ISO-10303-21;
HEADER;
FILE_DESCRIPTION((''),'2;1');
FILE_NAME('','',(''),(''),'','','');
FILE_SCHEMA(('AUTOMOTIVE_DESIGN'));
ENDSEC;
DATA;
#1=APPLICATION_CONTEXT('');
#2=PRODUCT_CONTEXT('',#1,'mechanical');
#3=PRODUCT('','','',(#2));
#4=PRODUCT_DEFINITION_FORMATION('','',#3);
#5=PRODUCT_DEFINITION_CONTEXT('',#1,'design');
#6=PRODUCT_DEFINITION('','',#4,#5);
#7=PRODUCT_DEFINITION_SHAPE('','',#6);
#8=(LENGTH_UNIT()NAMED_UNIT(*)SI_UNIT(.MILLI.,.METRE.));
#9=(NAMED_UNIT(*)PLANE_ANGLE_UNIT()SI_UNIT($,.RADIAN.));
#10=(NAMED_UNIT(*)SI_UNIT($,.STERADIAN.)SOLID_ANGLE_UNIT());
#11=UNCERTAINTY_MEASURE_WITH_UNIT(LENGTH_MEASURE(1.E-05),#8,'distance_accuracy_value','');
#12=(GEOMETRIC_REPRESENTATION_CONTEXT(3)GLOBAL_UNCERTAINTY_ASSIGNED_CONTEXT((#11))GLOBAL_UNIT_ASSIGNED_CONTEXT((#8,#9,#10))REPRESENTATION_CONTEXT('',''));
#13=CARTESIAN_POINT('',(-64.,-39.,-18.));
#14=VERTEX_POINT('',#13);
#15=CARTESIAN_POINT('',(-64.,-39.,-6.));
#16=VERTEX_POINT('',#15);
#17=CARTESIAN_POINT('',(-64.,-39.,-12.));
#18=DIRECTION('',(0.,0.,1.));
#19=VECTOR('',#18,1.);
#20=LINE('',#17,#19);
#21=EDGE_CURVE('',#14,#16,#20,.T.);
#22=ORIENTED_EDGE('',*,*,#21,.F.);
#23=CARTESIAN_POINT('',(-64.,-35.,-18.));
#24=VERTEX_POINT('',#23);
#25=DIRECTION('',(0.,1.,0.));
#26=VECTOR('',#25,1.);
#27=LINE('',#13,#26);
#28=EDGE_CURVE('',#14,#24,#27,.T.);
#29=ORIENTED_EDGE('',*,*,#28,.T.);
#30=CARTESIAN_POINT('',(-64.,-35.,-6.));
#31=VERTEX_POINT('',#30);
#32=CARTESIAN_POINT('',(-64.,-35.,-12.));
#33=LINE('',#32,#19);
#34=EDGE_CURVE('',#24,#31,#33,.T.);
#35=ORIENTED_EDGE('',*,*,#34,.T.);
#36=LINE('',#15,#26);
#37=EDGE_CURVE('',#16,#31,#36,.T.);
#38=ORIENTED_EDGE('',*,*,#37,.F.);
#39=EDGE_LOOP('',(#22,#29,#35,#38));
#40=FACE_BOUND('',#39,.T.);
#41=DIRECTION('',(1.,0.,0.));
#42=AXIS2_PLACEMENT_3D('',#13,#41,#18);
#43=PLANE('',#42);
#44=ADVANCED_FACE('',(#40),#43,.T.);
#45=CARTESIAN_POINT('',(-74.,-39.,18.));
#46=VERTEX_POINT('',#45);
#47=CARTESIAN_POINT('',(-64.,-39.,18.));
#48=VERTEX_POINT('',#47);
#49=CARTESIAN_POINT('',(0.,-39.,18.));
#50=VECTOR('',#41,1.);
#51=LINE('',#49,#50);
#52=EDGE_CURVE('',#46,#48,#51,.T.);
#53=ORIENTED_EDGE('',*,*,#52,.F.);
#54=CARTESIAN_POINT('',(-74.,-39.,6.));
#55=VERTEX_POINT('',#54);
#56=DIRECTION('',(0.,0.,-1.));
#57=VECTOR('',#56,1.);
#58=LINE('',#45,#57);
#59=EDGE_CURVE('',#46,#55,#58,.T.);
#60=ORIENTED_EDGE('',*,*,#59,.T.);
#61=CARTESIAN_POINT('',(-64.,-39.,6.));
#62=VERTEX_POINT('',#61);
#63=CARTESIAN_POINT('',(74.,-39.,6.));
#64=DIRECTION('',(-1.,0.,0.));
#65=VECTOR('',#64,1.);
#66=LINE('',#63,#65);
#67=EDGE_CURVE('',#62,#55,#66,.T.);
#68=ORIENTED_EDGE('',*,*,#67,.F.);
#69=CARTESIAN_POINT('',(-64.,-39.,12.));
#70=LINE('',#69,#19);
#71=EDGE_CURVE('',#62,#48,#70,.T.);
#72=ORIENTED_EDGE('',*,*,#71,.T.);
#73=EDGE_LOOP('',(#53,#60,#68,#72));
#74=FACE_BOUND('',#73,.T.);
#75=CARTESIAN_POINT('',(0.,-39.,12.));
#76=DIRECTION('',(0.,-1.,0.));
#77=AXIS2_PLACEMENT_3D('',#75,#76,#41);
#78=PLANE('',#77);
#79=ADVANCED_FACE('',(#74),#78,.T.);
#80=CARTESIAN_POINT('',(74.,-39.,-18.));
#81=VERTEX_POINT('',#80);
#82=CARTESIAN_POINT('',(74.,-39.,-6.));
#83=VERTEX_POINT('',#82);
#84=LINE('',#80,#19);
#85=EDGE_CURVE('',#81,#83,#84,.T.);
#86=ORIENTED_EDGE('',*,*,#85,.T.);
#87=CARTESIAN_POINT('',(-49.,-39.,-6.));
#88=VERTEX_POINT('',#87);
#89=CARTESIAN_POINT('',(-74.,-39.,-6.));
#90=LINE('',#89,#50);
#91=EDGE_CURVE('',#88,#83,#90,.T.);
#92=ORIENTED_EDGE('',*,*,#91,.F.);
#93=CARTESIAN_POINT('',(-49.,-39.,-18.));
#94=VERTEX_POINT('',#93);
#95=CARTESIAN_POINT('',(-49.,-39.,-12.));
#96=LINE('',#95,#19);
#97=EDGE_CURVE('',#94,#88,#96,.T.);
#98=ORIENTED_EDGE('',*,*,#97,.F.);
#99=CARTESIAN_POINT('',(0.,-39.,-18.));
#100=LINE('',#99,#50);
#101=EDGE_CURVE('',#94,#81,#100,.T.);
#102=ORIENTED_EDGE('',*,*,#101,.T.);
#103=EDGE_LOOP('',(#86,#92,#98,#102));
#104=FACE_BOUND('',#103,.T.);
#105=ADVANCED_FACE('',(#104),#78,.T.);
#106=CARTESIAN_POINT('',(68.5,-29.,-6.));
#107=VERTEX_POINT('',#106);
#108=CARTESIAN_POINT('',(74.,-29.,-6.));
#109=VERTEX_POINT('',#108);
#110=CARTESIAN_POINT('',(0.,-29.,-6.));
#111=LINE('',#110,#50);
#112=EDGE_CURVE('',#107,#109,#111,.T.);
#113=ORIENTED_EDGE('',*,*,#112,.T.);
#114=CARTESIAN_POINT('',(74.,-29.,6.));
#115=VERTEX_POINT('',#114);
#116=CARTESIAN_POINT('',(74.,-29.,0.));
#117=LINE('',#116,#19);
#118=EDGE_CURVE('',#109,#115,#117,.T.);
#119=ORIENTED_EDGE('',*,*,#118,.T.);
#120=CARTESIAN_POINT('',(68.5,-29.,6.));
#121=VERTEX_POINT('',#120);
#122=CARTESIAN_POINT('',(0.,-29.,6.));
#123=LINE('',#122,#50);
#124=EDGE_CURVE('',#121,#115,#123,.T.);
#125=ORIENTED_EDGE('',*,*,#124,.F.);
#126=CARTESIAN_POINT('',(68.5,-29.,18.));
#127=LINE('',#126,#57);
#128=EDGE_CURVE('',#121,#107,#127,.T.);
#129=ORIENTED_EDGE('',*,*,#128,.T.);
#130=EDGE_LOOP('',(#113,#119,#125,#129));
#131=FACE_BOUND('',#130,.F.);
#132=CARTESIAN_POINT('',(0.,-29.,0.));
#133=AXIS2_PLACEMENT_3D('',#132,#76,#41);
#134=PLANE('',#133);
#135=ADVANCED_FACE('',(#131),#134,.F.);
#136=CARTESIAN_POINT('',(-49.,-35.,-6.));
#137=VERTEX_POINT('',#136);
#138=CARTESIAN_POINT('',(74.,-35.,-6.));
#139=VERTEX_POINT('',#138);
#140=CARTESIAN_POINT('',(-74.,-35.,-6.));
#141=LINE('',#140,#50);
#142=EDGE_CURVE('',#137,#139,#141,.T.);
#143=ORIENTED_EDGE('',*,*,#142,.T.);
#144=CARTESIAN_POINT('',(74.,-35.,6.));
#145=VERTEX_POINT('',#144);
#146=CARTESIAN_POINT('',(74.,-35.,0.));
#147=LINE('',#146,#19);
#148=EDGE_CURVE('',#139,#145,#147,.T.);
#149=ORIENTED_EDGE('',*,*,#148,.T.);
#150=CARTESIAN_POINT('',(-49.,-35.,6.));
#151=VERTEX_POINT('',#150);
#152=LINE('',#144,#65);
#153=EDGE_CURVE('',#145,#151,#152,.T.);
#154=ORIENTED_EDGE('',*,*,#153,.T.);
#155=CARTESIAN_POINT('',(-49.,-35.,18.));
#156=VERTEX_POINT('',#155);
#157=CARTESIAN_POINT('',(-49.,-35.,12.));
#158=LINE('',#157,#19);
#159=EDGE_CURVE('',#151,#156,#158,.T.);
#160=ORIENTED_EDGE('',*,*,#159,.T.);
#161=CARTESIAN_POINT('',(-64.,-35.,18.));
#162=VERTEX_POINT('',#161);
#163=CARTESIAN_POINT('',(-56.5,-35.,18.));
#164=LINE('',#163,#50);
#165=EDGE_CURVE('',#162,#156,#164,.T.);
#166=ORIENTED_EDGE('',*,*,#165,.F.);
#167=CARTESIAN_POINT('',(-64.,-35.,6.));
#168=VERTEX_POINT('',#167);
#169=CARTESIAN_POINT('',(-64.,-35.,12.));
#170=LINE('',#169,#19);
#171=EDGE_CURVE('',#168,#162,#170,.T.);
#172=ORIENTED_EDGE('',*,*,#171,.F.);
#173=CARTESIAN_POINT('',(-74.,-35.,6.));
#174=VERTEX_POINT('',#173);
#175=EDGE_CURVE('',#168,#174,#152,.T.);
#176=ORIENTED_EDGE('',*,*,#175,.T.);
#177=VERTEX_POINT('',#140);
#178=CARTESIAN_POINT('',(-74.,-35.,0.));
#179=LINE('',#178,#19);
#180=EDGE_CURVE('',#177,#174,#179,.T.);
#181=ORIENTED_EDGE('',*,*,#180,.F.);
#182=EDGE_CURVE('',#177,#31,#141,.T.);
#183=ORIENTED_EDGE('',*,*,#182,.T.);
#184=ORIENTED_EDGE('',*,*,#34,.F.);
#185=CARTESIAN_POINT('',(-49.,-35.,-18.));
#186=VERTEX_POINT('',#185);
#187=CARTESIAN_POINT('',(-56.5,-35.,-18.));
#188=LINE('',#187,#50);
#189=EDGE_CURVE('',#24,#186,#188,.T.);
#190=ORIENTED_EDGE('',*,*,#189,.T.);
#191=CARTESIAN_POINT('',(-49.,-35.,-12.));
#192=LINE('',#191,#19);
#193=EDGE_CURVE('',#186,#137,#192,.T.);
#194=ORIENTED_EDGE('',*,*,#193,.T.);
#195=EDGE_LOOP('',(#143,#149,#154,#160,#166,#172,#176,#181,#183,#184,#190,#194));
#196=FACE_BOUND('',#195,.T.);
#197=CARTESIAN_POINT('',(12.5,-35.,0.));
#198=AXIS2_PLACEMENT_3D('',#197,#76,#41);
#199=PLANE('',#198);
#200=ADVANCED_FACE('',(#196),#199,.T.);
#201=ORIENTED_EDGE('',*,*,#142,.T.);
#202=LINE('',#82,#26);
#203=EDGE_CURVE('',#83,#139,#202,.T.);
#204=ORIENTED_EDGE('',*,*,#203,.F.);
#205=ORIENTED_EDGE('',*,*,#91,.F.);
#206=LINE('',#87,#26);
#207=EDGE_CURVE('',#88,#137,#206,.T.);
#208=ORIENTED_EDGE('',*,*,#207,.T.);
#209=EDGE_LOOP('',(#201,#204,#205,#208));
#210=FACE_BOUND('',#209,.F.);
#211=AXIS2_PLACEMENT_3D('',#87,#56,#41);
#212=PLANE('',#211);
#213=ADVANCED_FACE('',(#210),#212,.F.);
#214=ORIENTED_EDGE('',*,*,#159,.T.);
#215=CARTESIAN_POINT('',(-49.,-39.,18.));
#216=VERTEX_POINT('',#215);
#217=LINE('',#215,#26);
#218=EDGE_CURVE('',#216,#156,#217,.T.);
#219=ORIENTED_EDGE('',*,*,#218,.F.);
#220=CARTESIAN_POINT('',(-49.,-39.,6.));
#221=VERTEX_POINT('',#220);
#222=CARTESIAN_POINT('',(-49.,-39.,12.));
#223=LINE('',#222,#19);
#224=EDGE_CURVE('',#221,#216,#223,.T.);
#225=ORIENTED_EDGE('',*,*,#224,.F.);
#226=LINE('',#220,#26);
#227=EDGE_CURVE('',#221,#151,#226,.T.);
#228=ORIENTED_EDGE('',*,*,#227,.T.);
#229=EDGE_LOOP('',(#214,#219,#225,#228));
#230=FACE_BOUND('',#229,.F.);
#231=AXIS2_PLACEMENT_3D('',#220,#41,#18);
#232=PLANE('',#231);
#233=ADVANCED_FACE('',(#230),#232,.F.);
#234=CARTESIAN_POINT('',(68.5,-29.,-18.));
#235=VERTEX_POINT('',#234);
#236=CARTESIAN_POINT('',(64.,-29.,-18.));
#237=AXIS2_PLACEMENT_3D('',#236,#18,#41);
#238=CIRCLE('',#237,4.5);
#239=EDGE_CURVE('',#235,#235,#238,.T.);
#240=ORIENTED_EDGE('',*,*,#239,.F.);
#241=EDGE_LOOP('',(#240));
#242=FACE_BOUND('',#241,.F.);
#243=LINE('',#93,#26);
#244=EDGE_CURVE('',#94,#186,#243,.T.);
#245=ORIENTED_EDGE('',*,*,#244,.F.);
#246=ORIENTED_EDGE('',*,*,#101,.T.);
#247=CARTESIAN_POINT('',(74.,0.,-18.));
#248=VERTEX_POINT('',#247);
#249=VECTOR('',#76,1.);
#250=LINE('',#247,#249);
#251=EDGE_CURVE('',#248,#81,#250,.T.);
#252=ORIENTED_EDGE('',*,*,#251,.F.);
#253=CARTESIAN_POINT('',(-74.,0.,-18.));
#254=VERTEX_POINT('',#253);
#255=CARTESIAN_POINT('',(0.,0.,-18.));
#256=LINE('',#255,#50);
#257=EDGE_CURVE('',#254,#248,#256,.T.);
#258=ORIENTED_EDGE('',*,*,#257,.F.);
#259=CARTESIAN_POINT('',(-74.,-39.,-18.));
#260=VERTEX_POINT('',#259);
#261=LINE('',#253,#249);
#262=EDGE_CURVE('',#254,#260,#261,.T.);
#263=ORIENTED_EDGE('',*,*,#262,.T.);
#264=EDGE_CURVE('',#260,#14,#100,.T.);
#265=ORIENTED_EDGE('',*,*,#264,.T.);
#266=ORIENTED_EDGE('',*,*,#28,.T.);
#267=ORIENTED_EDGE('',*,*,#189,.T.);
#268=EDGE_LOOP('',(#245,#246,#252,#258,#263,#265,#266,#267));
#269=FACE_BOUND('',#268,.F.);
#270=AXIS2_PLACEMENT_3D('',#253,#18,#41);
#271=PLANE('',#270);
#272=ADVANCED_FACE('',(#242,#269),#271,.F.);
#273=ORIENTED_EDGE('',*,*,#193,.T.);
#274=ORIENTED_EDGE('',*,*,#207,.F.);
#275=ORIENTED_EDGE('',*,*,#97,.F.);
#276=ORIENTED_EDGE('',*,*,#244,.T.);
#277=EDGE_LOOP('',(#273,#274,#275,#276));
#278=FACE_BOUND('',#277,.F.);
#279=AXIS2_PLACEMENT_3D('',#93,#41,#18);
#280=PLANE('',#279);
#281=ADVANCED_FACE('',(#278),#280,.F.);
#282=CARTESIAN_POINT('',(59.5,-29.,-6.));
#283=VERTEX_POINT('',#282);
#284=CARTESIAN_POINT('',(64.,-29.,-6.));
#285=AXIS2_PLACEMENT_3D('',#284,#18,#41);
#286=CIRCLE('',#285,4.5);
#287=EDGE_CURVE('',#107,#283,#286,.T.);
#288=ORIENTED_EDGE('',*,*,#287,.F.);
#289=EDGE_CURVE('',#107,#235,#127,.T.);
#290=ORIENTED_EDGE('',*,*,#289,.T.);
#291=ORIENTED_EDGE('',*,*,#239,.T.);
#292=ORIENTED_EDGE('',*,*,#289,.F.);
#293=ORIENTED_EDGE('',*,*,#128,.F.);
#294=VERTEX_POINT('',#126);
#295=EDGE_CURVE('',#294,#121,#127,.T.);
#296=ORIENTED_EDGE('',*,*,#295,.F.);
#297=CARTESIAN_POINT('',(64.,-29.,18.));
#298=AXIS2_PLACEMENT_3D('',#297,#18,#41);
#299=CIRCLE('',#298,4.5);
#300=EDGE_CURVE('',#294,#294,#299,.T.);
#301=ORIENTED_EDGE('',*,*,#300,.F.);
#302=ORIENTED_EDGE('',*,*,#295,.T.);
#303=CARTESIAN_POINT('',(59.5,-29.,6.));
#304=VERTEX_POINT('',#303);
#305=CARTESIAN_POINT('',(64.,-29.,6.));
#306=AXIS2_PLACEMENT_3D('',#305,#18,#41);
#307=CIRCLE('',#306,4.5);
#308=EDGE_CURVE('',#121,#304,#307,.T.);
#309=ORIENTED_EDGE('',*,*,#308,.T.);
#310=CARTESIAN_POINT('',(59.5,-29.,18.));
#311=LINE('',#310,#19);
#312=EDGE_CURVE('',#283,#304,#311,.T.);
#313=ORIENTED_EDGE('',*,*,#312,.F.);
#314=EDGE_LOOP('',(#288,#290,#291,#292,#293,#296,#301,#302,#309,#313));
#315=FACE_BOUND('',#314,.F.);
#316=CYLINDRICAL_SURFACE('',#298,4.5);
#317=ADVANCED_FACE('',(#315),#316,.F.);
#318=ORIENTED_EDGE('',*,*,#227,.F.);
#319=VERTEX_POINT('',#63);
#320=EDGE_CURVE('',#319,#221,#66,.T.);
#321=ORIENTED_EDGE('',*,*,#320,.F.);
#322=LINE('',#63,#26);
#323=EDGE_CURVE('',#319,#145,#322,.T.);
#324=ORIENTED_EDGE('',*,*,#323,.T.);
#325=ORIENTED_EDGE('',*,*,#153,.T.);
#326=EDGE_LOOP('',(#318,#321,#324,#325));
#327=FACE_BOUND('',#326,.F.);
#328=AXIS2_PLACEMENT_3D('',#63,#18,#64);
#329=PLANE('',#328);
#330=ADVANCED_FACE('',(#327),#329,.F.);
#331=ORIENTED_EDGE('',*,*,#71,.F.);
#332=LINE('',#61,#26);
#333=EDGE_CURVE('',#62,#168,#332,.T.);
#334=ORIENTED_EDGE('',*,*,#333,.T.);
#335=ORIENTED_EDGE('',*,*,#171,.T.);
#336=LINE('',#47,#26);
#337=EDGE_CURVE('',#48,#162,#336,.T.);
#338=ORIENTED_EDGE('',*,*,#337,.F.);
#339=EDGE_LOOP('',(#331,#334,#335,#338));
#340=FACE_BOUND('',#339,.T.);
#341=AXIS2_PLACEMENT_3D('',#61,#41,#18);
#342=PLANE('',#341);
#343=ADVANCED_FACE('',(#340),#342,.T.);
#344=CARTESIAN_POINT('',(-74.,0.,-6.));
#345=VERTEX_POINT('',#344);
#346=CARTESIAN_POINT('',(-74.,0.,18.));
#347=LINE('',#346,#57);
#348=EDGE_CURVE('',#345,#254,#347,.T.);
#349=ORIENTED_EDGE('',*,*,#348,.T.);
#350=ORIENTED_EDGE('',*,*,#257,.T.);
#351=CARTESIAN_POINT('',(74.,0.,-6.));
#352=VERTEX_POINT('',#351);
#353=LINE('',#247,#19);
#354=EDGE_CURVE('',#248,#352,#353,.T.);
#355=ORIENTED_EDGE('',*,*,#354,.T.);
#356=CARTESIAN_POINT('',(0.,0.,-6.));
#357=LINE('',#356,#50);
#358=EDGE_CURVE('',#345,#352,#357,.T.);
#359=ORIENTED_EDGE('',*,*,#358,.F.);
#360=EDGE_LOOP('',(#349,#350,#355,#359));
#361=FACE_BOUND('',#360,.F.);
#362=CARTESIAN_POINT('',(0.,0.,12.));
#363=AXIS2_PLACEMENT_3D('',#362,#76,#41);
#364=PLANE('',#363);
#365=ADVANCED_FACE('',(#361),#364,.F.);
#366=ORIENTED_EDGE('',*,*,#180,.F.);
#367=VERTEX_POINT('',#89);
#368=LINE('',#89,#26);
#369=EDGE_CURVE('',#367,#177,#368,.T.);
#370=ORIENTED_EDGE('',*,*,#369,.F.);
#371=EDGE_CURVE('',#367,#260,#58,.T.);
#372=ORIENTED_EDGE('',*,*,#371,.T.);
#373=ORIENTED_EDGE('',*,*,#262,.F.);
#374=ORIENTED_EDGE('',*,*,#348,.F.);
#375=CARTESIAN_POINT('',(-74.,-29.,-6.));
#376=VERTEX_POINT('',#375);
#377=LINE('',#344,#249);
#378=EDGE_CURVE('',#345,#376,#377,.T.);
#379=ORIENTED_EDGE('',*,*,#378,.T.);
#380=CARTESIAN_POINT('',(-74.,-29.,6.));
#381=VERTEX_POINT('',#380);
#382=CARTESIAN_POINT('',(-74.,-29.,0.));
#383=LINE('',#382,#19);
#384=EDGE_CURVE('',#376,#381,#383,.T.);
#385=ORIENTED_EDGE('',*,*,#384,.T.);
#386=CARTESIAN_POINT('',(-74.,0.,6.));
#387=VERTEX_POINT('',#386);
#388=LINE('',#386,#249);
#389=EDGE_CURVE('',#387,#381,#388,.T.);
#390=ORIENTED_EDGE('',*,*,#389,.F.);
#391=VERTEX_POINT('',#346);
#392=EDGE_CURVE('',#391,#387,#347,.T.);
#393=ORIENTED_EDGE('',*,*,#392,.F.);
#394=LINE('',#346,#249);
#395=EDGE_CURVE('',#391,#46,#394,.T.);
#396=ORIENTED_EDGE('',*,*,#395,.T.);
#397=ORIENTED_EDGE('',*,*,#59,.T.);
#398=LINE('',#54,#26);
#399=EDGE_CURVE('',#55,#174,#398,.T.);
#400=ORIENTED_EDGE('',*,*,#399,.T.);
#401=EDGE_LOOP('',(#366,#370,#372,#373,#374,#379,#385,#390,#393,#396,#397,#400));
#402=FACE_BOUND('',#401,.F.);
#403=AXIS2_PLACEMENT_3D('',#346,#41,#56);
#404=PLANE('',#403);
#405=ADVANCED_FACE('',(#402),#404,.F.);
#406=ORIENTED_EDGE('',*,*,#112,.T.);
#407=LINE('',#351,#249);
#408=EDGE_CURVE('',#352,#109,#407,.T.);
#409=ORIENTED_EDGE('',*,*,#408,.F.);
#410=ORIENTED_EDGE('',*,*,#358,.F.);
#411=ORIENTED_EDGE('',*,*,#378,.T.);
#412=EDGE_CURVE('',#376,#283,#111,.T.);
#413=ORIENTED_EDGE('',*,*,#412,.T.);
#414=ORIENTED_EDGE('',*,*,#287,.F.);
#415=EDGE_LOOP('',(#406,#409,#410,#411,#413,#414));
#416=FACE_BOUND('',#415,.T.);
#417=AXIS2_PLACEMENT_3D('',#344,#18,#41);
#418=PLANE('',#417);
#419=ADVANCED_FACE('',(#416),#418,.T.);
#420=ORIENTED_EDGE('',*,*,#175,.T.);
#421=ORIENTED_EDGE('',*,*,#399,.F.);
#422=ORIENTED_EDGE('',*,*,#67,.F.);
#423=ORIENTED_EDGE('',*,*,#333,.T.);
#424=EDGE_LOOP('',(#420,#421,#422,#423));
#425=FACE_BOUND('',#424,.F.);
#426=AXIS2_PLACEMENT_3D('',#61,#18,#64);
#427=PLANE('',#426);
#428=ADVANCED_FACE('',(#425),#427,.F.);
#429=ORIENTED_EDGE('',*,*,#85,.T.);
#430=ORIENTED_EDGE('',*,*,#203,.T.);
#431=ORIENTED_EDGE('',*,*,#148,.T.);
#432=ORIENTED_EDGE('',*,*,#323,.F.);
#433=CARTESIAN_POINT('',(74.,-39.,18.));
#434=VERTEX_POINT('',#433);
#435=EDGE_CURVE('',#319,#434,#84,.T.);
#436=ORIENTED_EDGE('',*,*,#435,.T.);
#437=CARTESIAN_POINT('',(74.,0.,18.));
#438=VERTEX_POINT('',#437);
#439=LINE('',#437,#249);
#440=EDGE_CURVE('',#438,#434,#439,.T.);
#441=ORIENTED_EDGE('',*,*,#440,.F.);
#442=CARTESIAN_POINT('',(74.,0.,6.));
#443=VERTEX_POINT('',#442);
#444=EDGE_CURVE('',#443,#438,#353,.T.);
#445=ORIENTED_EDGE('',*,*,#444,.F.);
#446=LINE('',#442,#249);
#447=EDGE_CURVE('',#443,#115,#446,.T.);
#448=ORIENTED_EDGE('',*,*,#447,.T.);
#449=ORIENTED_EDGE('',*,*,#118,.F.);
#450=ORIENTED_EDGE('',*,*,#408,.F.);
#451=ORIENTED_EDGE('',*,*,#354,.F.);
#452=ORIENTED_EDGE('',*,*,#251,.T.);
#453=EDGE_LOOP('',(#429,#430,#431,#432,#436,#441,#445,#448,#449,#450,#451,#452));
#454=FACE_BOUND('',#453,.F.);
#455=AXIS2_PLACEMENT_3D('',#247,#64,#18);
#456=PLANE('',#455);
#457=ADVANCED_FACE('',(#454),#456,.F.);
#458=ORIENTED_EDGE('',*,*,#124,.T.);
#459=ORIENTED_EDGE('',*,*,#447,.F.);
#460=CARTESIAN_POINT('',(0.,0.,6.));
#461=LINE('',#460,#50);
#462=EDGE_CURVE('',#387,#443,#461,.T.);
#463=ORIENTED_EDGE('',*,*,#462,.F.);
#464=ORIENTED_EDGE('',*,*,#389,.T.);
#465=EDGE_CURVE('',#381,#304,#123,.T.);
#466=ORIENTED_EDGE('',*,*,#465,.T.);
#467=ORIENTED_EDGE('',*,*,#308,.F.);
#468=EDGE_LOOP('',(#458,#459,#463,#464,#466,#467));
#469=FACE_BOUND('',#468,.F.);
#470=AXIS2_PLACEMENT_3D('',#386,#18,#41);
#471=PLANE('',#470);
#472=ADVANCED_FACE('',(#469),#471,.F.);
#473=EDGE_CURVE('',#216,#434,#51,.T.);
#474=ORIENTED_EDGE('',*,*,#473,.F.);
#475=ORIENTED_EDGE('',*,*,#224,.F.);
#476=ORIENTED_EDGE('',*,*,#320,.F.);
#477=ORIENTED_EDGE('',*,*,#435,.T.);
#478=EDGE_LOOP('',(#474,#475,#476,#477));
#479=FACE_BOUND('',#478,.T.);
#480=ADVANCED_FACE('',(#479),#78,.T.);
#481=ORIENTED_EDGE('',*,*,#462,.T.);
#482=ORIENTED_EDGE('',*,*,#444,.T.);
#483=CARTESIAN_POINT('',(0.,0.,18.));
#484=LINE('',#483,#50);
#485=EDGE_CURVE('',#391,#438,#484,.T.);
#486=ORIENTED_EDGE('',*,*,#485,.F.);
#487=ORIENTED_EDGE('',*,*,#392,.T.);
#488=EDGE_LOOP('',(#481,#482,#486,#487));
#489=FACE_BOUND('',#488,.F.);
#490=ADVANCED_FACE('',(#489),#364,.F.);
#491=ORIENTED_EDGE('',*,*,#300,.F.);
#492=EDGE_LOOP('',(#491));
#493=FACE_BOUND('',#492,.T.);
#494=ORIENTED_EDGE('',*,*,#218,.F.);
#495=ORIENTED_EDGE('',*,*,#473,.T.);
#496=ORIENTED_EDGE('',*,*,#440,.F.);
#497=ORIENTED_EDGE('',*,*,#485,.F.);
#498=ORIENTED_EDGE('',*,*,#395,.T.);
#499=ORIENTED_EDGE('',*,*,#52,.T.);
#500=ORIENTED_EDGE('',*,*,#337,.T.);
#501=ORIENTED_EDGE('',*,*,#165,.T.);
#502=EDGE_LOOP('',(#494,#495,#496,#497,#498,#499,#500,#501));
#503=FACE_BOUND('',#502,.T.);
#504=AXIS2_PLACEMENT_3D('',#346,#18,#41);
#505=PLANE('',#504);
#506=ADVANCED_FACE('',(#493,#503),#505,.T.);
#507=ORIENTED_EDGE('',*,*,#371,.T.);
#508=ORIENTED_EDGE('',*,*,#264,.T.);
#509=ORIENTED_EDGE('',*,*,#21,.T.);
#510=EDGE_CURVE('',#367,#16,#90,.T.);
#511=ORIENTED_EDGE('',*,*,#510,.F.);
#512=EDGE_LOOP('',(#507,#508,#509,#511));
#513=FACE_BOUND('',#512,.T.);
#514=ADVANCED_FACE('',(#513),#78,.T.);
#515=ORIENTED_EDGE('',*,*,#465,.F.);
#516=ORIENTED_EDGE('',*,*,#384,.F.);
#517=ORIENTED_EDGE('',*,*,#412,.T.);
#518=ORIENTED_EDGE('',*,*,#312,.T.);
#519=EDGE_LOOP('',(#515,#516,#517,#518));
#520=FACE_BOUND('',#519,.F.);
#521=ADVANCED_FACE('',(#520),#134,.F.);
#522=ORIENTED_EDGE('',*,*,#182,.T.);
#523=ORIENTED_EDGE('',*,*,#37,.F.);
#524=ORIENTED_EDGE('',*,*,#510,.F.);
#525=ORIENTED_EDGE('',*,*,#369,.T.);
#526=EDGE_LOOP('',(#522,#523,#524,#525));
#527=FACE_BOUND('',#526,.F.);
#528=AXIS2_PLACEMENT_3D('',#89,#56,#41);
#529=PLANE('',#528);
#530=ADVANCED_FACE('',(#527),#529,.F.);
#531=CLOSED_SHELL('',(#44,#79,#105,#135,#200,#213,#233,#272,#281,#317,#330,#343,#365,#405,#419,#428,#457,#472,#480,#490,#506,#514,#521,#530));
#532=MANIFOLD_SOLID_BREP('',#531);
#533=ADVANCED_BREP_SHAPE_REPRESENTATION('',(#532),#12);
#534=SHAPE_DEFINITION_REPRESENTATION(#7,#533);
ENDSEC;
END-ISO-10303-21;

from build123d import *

# Parameters (mm, degrees)
F0_W     = 148
F0_H     = 12
F1_DEPTH = 39
F2_DEPTH = 29
F3_W     = 123
F3_H     = 12
F3_W_2   = 15
F3_W_3   = 10
F4_DEPTH = 4
F5_R     = 4.5
F6_DEPTH = 36


with BuildPart() as f1:
    # F0 (on Front) → F1 (new body)
    with BuildSketch(Plane.XZ):
        with Locations((0, 12)):
            Rectangle(F0_W, F0_H)
        with Locations((0, -12)):
            Rectangle(F0_W, F0_H)
        Rectangle(F0_W, F0_H)
    extrude(amount=F1_DEPTH)

    # F0 (on Front) → F2 (cut)
    with BuildSketch(Plane.XZ):
        Rectangle(F0_W, F0_H)
    extrude(amount=F2_DEPTH, mode=Mode.SUBTRACT)

    # F3 (on face) → F4 (cut)
    with BuildSketch(Plane.XZ.offset(39)):
        with Locations((12.5, 0)):
            Rectangle(F3_W, F3_H)
        with Locations((-56.5, 0)):
            Rectangle(F3_W_2, F3_H)
        with Locations((-69, 0)):
            Rectangle(F3_W_3, F3_H)
        with Locations((-56.5, 12)):
            Rectangle(F3_W_2, F3_H)
        with Locations((-56.5, -12)):
            Rectangle(F3_W_2, F3_H)
    extrude(amount=-F4_DEPTH, mode=Mode.SUBTRACT)

    # F5 (on face) → F6 (cut)
    with BuildSketch(Plane.XY.offset(18)):
        with Locations((64, -29)):
            Circle(F5_R)
    extrude(amount=-F6_DEPTH, mode=Mode.SUBTRACT)


solid = f1.part
